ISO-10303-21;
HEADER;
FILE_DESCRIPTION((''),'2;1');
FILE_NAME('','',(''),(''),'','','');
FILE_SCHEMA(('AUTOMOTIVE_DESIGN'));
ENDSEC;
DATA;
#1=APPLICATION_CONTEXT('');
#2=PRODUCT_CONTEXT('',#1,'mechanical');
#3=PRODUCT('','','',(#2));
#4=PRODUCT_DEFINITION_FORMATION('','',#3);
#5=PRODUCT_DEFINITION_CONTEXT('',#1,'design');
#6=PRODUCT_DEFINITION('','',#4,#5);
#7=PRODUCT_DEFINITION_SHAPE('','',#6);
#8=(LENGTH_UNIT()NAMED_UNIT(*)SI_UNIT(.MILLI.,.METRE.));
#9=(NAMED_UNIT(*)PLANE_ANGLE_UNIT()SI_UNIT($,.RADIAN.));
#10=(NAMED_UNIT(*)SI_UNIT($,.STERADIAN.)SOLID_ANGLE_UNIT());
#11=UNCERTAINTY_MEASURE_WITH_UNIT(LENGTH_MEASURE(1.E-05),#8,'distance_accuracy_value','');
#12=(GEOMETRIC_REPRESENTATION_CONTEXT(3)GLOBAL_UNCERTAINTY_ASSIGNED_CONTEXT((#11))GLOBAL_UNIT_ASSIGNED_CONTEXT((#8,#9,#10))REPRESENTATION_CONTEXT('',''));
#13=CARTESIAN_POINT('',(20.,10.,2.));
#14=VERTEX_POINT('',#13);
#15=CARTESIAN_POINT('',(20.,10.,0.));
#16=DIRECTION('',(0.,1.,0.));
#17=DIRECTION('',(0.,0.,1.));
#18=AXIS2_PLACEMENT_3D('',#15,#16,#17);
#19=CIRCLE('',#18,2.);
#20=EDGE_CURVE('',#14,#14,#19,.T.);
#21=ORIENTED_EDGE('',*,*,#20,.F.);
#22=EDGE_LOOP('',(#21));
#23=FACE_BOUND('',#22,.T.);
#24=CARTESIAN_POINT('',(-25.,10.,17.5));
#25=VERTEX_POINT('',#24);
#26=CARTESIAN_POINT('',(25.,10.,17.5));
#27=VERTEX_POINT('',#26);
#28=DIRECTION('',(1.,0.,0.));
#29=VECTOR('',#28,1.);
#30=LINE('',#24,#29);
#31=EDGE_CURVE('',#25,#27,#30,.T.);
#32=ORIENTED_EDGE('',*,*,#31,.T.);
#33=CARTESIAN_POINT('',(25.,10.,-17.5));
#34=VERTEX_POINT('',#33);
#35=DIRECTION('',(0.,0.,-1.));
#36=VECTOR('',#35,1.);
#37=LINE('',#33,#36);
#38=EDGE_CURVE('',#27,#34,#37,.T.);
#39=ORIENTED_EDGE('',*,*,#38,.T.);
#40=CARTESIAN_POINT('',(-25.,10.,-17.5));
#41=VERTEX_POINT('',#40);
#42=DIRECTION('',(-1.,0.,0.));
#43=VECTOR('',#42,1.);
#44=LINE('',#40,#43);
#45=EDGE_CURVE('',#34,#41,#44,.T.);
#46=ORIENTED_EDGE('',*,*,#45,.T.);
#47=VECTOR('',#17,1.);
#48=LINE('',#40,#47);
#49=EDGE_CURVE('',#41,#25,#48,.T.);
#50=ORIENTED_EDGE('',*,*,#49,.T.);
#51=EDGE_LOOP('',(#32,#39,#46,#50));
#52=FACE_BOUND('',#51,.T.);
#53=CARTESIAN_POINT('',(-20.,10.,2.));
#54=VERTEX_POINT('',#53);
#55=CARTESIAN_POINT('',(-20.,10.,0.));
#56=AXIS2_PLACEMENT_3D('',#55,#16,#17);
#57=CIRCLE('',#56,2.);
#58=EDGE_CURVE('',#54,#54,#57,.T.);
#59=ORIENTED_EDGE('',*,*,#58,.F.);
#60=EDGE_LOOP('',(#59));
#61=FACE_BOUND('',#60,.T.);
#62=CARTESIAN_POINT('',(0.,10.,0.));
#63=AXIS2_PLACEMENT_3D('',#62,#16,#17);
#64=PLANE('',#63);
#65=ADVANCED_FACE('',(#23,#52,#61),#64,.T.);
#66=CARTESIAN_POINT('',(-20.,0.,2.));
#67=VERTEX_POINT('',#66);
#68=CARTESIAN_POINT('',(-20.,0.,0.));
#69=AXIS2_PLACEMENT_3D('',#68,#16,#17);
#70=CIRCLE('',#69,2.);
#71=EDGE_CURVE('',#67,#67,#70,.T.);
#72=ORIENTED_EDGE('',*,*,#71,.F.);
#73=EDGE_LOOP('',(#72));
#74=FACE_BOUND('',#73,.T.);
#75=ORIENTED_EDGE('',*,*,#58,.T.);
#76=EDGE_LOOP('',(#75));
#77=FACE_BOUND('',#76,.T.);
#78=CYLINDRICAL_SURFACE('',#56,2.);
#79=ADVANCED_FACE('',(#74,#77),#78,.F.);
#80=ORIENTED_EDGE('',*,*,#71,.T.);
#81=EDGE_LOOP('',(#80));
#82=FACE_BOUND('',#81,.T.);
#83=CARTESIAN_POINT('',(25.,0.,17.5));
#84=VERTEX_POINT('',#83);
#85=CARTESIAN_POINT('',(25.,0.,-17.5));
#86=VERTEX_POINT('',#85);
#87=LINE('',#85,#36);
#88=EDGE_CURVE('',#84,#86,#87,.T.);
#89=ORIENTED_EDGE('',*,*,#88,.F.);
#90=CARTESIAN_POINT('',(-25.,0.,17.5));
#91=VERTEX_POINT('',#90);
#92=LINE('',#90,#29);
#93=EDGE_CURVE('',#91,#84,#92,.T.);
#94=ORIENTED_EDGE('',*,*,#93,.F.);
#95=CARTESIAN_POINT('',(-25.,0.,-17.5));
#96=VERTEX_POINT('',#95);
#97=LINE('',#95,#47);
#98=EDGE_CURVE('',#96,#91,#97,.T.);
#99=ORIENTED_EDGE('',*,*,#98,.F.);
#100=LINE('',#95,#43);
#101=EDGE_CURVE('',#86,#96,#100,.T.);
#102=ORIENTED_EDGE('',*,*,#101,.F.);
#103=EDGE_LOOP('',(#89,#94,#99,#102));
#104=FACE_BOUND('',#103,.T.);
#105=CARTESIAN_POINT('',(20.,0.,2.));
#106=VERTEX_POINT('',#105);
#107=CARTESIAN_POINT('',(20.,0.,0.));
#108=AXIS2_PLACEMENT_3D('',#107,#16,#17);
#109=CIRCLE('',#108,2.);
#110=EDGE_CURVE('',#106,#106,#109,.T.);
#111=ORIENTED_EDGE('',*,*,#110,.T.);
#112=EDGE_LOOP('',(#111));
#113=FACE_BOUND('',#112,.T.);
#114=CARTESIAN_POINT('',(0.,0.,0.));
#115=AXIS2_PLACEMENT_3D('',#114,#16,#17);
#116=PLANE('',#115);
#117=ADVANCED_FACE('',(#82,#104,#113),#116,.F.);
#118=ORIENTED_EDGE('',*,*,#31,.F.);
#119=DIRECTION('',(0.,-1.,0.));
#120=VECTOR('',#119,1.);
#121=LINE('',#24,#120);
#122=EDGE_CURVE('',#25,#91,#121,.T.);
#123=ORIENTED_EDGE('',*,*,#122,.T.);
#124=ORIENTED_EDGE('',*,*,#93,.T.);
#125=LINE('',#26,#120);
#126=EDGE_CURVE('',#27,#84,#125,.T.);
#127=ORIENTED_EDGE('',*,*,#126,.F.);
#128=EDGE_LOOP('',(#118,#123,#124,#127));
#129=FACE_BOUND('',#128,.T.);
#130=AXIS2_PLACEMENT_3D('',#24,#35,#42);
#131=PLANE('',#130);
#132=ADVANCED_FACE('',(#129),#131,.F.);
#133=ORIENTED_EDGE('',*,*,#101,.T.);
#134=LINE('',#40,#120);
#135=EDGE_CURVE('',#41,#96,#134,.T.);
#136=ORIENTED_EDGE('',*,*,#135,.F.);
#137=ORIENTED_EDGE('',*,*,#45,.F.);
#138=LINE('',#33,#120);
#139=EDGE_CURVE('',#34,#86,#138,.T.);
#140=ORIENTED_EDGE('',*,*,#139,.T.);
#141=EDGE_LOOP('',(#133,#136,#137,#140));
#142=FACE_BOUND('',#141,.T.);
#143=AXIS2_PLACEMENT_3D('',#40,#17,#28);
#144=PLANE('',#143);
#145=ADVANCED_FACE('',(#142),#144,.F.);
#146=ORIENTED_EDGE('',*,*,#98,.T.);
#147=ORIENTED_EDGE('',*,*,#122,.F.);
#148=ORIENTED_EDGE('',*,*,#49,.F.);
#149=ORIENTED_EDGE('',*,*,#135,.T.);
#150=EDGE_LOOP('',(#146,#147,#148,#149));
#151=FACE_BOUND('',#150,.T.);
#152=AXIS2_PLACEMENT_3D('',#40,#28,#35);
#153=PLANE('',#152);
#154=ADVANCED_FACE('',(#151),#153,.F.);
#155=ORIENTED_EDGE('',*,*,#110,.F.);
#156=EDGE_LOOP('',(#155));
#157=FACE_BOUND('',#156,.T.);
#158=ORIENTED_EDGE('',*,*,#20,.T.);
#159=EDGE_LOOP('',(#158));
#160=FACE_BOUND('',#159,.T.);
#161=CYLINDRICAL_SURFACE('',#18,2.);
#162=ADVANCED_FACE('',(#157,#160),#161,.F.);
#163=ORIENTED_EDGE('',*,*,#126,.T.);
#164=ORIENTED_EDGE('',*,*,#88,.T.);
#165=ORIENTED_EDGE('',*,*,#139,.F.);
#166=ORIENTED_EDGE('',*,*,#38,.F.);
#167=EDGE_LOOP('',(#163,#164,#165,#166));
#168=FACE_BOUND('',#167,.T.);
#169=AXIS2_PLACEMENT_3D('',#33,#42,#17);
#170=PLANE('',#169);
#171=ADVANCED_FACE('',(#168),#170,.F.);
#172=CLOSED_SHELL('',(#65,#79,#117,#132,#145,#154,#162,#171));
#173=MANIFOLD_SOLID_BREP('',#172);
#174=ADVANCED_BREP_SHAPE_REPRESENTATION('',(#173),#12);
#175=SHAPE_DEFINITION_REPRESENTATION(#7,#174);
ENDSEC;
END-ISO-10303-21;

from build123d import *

# Parameters (mm, degrees)
SKETCH1_W             = 50
SKETCH1_H             = 35
BOSS_EXTRUDE1_DEPTH   = 10
F_4_0MM_DOWEL_HOLE1_D = 4


with BuildPart() as part:
    # Sketch1 → Boss-Extrude1 (new body)
    with BuildSketch(Plane(origin=(0, 0, 0), x_dir=(1, 0, 0), z_dir=(0, 1, 0))):
        Rectangle(SKETCH1_W, SKETCH1_H)
    extrude(amount=BOSS_EXTRUDE1_DEPTH)

    # Ø4.0mm Dowel Hole1 (through all)
    with Locations(Plane(origin=(0, 10, 0), x_dir=(1, 0, 0), z_dir=(0, 1, 0))):
        with Locations((-20, 0), (20, 0)):
            Hole(F_4_0MM_DOWEL_HOLE1_D / 2)


solid = part.part
